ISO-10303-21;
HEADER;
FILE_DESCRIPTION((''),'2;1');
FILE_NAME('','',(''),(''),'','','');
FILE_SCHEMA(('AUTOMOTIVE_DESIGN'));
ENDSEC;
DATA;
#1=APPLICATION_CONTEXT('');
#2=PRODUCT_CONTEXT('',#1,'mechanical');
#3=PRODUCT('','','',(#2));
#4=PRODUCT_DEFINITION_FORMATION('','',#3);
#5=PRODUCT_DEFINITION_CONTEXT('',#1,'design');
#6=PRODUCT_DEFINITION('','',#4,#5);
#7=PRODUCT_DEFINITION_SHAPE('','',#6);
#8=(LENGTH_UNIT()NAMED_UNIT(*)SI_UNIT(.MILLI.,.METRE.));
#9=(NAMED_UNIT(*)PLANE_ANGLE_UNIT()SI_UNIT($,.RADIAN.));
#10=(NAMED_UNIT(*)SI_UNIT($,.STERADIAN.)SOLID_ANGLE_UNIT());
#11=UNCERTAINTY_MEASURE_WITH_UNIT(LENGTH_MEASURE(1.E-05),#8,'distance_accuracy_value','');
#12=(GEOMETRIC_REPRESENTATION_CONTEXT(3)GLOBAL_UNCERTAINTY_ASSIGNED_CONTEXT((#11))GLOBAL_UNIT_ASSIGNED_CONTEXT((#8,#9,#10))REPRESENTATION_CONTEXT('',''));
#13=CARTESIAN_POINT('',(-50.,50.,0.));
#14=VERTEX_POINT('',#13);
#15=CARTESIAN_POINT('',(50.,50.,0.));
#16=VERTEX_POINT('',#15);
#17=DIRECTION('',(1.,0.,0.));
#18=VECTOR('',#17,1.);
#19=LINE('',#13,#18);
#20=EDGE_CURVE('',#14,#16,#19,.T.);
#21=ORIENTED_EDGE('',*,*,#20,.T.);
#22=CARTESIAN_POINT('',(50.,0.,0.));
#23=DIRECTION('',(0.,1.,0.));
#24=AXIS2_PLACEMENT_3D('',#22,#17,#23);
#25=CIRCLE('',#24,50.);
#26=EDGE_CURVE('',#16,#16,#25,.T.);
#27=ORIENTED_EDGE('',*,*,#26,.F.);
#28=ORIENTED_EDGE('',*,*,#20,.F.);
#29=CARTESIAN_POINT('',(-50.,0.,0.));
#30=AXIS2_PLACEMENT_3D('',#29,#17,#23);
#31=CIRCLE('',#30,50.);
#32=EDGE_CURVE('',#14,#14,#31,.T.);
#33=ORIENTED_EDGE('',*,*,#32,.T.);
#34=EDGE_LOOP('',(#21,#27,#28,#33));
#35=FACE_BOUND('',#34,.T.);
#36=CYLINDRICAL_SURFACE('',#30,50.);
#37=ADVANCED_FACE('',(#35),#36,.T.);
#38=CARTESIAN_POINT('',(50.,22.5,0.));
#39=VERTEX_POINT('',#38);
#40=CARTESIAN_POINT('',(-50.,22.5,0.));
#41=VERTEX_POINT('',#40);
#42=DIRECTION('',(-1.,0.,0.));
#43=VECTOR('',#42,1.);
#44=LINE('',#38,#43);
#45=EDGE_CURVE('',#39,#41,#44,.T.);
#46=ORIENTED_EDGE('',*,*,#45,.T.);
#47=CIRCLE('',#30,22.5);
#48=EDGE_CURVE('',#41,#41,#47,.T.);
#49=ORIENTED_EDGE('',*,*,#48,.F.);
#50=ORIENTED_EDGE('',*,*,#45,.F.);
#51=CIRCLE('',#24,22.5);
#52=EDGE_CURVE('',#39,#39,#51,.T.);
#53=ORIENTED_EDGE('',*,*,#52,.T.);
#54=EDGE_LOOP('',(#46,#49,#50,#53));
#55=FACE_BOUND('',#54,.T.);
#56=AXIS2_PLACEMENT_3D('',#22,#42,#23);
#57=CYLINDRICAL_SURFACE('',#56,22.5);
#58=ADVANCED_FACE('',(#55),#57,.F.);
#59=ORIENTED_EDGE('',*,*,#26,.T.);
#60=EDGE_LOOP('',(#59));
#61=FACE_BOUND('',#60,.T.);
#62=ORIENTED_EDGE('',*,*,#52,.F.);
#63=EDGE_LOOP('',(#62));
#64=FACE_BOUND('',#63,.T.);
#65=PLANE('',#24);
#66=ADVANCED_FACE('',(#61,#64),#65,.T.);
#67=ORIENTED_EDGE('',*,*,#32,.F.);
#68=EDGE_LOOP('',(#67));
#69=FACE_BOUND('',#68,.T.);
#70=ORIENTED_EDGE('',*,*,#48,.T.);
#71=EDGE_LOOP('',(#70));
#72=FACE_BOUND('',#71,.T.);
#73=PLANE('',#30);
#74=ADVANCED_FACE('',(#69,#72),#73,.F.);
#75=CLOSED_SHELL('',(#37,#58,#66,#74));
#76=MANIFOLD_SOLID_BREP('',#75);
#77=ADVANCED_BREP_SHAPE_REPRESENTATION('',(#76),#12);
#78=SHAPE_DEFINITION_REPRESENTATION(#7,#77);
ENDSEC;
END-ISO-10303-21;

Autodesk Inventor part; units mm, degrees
ref_plane "YZ Plane" through (0, 0, 0) normal (1, 0, 0) x (0, 1, 0)
ref_plane "XZ Plane" through (0, 0, 0) normal (0, 1, 0) x (-1, 0, 0)
ref_plane "XY Plane" through (0, 0, 0) normal (0, 0, 1) x (1, 0, 0)
sketch "Sketch1" plane through (0, 0, 0) normal (0, 0, 1) x (1, 0, 0)
  line L0 (-50, 50) -> (50, 50)
  line L1 (50, 50) -> (50, 22.5)
  line L2 (50, 22.5) -> (-50, 22.5)
  line L3 (-50, 22.5) -> (-50, 50)
  line L4 (-84.433, 0) -> (84.433, 0) construction
  point P0 (0, 0)
  point P1 (0, 0)
  point P2 (0, 22.5)
  dimension "d0" = 22.5
  dimension "d2" = 50
  dimension "d3" = 100
revolve "Revolution1" add sketch "Sketch1" angle 360 about axis through (-84.433, 0, 0) along (1, 0, 0)
properties part number "100mm_roller"
